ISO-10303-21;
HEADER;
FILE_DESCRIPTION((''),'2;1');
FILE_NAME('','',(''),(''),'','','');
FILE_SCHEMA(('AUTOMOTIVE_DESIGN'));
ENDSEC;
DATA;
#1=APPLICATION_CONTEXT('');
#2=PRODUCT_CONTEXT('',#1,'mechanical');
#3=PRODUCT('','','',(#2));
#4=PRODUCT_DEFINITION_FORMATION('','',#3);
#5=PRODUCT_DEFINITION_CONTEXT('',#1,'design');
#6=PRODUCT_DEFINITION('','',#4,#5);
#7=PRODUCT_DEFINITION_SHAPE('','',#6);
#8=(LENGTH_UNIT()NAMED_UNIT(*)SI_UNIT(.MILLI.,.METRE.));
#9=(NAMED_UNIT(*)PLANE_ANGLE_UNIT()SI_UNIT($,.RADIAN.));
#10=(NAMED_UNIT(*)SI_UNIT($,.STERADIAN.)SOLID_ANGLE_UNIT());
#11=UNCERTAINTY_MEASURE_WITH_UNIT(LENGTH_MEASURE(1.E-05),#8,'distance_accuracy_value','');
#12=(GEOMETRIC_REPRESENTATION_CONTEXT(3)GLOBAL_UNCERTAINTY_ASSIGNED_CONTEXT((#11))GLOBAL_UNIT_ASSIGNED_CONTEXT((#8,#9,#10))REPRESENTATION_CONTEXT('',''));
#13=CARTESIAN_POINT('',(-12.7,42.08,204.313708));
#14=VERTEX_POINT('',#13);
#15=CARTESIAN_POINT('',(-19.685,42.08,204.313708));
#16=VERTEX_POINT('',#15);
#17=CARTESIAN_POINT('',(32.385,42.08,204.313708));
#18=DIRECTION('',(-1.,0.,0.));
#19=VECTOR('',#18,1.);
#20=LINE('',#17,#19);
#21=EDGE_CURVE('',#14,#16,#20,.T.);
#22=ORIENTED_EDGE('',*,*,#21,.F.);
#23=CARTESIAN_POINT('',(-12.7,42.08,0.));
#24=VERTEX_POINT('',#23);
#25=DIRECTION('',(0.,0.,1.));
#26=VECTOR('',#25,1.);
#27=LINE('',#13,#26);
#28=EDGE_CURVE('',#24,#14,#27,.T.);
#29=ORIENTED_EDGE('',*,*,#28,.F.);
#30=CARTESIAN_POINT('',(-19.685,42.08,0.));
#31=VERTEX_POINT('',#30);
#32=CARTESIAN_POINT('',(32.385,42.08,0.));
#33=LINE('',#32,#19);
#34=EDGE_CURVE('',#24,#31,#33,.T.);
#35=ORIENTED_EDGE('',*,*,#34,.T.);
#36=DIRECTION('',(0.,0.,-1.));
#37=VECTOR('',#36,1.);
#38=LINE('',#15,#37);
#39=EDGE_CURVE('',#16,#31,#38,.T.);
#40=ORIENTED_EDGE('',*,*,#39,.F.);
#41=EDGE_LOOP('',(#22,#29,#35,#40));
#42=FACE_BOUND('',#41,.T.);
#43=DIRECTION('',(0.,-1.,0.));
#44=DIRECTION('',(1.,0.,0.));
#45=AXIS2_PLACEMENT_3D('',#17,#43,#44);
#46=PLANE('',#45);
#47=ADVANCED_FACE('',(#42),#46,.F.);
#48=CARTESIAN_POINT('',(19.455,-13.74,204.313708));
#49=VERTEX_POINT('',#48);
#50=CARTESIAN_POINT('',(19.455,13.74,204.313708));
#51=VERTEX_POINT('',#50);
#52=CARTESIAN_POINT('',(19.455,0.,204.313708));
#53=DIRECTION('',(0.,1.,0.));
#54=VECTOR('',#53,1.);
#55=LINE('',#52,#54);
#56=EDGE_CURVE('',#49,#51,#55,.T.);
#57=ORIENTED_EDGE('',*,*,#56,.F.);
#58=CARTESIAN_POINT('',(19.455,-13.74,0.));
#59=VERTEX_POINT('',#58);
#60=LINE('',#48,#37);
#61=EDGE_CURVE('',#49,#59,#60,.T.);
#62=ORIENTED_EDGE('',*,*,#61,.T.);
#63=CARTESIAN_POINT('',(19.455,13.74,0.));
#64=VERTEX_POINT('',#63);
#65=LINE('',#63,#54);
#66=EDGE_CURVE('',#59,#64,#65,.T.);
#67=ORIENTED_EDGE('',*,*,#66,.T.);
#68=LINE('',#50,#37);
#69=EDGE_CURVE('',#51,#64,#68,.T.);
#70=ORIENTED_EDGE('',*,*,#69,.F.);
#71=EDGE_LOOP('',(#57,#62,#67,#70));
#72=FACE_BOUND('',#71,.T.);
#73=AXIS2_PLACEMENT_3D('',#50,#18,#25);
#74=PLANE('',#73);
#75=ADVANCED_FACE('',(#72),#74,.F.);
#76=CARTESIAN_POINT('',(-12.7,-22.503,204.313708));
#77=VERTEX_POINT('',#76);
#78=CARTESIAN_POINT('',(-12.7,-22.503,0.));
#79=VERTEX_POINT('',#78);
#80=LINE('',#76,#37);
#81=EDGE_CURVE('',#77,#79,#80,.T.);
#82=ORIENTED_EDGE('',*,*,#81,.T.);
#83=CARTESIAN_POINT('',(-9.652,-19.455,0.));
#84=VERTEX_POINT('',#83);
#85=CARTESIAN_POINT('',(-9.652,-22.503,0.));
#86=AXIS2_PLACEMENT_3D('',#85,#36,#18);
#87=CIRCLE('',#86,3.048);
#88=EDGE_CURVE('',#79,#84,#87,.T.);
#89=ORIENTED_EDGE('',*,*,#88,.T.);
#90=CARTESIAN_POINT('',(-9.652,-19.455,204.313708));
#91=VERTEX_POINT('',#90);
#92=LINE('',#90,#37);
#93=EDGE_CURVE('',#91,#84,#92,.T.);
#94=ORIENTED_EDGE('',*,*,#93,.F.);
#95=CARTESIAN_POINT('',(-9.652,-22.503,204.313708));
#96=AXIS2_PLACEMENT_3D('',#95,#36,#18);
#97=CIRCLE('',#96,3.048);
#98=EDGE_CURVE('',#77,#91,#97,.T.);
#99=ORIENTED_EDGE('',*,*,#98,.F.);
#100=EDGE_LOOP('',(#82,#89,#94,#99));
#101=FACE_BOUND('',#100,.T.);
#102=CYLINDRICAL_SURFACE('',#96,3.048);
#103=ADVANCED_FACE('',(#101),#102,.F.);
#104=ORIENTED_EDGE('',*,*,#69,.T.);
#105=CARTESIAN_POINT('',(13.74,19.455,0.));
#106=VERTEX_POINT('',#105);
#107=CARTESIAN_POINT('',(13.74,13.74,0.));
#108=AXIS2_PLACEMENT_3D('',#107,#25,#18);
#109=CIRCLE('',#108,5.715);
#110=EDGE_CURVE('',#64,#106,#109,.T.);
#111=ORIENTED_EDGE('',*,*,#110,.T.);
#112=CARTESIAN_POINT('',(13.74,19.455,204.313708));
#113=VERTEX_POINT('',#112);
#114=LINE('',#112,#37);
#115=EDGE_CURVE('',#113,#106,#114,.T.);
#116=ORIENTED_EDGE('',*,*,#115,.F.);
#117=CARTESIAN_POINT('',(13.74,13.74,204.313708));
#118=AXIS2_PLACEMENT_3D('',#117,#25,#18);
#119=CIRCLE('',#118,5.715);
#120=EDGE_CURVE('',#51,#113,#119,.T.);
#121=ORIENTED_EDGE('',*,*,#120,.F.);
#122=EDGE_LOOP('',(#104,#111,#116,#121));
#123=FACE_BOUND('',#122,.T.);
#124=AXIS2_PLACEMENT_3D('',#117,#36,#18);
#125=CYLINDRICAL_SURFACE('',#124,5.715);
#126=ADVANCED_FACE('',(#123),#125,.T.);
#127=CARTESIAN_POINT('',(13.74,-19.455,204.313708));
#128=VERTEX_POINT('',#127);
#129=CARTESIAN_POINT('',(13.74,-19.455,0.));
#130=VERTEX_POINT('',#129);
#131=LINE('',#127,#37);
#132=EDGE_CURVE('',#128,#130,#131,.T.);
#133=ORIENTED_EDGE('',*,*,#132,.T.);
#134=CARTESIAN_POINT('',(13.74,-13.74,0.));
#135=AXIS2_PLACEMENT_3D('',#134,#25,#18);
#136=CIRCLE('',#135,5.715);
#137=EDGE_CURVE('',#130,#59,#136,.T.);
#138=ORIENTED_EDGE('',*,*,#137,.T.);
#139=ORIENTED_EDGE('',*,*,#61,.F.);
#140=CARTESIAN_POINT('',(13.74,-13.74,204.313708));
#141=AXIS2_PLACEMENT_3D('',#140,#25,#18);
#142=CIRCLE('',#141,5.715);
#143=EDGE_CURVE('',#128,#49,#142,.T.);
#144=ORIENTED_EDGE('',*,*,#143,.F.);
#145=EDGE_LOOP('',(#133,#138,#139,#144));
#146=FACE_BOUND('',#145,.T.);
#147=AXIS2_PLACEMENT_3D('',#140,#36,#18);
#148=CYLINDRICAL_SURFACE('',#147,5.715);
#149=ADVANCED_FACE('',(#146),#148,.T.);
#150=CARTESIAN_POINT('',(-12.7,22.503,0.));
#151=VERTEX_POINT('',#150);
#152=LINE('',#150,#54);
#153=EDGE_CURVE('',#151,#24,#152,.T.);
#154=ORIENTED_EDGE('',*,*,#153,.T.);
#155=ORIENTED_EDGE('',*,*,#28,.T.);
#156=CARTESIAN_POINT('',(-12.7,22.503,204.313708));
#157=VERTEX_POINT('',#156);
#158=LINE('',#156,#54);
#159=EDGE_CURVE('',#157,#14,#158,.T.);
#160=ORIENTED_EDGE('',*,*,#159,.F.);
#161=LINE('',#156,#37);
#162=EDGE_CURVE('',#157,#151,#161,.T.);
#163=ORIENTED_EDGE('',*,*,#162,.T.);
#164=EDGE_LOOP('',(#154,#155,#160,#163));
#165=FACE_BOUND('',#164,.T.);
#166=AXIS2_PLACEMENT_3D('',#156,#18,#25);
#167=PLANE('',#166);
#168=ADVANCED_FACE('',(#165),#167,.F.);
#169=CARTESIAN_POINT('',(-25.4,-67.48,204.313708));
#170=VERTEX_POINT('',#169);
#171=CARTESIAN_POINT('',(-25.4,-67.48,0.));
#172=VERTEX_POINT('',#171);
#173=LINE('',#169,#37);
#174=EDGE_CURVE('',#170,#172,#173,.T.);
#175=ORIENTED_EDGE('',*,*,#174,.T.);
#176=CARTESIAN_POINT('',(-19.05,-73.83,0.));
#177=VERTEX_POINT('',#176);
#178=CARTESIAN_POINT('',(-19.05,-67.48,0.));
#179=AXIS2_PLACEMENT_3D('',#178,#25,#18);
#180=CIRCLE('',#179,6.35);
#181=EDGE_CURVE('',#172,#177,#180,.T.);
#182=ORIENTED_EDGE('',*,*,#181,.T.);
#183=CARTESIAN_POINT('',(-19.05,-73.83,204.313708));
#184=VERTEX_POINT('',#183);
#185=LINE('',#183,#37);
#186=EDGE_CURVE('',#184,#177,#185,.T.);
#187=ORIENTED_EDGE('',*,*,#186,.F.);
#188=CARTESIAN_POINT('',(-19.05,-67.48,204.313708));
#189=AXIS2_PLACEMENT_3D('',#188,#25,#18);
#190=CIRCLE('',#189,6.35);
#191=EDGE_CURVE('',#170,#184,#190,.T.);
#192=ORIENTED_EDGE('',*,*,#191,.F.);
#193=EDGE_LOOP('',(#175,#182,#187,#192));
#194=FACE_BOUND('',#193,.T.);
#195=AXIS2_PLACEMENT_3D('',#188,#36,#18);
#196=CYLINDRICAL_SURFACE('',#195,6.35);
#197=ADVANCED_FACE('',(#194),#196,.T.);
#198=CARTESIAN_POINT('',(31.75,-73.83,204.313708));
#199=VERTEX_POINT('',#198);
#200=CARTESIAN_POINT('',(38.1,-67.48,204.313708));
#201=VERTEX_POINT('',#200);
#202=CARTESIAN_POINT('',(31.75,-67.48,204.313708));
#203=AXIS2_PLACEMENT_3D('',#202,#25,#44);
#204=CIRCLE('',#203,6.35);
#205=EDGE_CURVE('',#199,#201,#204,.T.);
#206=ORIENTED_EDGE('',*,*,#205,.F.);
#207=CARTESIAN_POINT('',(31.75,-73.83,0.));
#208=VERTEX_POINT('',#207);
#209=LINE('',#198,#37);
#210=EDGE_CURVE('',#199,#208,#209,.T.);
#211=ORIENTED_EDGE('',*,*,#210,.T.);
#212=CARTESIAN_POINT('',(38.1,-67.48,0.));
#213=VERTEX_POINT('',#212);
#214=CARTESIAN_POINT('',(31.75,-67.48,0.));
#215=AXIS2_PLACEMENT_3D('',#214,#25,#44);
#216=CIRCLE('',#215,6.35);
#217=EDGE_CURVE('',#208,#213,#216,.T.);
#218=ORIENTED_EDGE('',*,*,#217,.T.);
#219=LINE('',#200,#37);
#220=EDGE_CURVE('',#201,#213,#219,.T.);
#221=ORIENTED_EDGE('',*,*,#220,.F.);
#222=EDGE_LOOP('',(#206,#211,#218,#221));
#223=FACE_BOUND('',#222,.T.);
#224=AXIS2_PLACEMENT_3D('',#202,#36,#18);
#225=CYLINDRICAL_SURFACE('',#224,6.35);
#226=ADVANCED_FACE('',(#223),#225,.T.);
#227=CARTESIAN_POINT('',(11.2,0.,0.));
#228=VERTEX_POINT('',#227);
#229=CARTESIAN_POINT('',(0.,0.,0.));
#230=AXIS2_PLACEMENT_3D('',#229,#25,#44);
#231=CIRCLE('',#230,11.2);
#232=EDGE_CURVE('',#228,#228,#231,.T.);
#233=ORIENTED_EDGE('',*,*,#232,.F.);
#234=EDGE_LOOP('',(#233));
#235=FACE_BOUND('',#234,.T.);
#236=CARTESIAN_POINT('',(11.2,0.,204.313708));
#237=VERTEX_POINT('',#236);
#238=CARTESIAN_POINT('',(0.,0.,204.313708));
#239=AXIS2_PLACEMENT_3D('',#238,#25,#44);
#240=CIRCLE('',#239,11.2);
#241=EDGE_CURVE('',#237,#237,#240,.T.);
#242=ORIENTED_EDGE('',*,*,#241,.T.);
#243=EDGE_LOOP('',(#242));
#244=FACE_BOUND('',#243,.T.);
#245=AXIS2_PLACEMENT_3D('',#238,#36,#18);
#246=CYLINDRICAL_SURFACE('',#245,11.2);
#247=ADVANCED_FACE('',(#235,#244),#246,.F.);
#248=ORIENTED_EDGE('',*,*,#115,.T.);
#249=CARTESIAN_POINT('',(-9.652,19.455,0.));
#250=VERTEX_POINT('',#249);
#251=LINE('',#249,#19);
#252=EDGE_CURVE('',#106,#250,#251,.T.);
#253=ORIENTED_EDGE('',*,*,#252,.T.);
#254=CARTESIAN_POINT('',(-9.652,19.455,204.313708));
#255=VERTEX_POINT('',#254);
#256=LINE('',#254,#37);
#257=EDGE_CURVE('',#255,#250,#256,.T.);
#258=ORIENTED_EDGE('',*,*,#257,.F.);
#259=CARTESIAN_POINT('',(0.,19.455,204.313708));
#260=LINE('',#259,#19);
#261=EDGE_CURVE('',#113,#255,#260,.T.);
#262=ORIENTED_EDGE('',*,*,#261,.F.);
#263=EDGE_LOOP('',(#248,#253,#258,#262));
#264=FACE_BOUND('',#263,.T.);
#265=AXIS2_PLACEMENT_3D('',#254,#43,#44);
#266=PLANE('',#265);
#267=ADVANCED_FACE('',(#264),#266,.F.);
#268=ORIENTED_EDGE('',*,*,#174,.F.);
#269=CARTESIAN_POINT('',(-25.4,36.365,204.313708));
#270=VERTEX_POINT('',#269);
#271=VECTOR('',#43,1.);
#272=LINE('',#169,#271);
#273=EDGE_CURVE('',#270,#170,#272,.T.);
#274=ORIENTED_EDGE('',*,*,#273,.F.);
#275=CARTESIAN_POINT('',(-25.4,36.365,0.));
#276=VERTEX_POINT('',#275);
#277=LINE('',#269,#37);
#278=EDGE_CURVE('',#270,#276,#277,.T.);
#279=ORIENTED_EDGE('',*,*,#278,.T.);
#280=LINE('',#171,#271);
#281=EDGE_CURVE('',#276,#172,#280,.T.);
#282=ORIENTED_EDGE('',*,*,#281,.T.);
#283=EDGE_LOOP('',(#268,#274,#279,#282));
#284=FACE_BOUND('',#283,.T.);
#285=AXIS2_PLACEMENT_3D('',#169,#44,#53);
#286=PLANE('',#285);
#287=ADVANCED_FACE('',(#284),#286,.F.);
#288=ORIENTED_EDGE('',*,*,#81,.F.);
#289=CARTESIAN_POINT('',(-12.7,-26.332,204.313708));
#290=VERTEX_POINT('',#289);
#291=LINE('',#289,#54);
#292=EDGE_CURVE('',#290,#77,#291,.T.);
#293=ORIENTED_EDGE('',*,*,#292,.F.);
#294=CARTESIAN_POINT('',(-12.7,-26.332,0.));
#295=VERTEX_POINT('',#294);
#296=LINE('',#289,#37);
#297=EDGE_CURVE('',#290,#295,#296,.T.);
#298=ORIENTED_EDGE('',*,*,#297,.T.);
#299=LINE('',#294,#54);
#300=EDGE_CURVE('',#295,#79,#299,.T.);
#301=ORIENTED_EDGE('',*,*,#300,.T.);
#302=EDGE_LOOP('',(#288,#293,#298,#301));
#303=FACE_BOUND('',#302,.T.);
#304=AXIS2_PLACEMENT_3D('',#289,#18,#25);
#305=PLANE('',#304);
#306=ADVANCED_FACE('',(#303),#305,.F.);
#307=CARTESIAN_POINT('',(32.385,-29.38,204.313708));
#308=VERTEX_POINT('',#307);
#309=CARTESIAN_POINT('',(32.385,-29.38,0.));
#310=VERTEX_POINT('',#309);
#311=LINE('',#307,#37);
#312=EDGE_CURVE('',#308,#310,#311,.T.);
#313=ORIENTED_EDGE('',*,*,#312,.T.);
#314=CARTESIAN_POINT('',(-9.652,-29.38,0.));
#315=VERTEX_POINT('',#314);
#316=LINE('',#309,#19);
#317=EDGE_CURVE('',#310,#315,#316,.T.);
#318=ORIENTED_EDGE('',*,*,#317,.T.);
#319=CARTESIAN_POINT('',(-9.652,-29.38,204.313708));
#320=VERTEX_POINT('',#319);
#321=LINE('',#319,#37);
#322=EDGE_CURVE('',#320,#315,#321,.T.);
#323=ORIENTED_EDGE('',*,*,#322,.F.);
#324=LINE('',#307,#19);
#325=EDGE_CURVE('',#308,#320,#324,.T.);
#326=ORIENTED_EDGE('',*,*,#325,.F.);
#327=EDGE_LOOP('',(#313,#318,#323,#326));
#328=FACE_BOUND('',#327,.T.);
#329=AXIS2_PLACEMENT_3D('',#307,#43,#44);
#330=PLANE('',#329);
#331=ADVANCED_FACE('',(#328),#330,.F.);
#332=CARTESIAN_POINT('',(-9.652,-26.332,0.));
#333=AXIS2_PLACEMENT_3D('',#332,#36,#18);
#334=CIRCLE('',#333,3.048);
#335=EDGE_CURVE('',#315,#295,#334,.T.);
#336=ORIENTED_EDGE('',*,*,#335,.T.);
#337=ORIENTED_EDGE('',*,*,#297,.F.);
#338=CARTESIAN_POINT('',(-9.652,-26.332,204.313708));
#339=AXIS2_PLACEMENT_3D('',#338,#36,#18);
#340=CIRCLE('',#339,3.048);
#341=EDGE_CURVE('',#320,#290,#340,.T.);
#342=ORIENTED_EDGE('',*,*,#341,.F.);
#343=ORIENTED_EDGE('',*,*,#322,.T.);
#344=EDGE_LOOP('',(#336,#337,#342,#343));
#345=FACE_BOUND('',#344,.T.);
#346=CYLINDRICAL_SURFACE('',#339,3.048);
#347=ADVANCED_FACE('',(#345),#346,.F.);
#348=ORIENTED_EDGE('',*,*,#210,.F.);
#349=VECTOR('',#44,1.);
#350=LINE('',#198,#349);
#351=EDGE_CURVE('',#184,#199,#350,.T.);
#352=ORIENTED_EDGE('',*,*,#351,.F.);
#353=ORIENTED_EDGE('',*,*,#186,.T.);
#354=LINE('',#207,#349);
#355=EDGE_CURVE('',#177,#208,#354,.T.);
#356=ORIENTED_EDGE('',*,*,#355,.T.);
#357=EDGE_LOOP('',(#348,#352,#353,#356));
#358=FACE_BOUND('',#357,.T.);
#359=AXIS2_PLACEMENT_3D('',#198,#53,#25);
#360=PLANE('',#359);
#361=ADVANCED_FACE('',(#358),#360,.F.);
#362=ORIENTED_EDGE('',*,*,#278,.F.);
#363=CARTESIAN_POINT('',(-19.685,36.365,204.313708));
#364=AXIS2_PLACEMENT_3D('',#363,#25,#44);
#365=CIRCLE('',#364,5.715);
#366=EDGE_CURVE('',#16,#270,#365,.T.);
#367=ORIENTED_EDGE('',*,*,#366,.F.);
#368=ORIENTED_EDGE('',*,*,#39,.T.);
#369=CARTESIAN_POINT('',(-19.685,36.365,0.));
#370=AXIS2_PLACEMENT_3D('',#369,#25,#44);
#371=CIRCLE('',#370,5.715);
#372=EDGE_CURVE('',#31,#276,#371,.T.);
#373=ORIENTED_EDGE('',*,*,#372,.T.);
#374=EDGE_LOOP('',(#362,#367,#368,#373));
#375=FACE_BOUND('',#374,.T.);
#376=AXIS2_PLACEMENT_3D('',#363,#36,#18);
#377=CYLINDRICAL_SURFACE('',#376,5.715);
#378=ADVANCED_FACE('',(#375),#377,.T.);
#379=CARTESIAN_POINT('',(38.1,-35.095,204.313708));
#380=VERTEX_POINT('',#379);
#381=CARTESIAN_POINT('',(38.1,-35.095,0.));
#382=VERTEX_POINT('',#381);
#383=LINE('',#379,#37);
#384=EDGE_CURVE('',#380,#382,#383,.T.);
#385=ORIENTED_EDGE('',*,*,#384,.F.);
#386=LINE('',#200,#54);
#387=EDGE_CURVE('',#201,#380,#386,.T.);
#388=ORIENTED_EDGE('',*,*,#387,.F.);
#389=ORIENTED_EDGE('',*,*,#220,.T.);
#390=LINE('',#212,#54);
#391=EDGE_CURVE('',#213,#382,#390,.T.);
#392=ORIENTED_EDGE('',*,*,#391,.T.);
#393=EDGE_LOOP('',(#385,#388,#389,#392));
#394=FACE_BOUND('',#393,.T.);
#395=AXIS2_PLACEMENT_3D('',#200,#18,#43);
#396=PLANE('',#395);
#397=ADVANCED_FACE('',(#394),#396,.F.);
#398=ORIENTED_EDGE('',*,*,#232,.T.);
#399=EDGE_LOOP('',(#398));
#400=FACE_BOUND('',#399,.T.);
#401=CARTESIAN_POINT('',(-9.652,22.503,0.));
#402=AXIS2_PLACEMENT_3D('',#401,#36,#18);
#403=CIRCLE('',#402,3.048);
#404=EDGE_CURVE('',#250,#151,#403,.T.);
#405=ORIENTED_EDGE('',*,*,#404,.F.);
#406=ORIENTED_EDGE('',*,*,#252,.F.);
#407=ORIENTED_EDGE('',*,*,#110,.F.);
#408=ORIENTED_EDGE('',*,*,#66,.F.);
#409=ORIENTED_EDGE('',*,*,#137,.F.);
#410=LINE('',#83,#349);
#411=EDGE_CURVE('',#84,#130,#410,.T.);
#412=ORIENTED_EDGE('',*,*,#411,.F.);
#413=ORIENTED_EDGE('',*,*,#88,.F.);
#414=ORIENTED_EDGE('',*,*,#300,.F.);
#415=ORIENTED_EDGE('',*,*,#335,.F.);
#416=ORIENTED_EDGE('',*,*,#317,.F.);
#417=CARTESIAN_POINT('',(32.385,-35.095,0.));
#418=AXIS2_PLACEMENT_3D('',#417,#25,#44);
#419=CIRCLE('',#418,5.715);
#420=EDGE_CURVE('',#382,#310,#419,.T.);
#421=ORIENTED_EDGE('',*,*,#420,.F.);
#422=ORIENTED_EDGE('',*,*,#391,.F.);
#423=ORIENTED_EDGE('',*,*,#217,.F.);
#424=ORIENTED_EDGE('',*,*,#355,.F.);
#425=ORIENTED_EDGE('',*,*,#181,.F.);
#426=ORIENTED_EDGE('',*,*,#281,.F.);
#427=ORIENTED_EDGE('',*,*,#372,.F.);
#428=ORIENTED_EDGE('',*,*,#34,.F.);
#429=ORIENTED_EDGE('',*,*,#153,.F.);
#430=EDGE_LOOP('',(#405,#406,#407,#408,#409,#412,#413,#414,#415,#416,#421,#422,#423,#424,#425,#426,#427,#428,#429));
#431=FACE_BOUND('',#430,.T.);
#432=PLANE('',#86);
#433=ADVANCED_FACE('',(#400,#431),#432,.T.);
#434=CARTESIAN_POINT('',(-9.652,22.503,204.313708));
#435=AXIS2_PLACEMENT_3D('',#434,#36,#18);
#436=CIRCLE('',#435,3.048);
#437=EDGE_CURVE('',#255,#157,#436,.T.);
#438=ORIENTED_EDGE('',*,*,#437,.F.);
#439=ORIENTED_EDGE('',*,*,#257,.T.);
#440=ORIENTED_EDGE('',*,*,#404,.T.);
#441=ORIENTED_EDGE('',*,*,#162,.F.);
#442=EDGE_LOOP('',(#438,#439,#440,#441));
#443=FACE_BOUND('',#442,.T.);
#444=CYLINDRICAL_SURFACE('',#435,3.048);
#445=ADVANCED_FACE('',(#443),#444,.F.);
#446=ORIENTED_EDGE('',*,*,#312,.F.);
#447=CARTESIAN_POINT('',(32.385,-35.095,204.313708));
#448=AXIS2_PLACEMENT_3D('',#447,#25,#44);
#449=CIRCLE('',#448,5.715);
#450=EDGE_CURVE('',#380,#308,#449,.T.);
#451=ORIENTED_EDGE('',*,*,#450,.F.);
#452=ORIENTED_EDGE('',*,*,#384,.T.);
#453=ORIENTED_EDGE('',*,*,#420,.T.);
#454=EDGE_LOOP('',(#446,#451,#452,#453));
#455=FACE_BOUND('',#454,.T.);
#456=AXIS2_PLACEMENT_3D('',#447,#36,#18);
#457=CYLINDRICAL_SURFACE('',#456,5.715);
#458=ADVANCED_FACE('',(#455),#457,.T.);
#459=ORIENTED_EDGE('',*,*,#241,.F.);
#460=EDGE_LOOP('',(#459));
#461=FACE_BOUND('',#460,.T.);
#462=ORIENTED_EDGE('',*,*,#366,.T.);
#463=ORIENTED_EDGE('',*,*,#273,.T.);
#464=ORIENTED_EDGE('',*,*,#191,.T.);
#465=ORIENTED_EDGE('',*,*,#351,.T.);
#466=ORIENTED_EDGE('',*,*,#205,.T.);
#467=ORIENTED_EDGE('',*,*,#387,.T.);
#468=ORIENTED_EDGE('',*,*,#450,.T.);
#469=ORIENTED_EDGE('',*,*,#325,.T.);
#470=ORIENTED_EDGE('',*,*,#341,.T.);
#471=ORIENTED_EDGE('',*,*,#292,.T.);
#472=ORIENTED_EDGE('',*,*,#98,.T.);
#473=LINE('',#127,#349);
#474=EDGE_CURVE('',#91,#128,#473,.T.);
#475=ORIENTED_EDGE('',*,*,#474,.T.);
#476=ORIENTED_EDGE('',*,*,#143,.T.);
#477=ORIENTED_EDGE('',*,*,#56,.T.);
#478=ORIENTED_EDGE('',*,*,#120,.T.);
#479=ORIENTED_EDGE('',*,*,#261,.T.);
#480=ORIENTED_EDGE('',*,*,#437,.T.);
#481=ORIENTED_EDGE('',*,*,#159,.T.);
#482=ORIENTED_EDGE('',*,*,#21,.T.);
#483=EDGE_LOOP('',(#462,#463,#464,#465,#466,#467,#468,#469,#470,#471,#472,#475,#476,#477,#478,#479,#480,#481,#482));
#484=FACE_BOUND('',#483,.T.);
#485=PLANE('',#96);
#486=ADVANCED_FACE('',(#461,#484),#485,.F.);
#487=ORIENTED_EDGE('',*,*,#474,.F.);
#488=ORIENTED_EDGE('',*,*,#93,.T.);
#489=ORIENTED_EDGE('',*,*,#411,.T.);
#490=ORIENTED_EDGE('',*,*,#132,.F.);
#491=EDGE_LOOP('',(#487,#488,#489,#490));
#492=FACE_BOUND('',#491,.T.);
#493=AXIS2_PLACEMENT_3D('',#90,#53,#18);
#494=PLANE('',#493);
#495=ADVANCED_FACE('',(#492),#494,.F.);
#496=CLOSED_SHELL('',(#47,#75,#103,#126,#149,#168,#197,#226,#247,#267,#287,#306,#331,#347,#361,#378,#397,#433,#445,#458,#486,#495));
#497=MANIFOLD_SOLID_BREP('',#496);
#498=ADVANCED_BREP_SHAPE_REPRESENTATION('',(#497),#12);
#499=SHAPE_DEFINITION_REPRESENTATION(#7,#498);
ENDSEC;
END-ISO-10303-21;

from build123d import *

# Parameters (mm, degrees)
SKETCH1_R           = 11.2
BOSS_EXTRUDE1_DEPTH = 204.313708212
CUT_EXTRUDE1_DEPTH  = 236.982


with BuildPart() as part:
    # Sketch1 → Boss-Extrude1 (new body)
    with BuildSketch(Plane.XY):
        with BuildLine():
            Line((-25.4, -67.479999962), (-25.4, 36.365))
            ThreePointArc((-25.4, 36.365), (-23.726115254, 40.406115254), (-19.685, 42.08))
            Line((-19.685, 42.08), (32.385, 42.08))
            ThreePointArc((32.385, 42.08), (36.426115254, 40.406115254), (38.1, 36.365))
            Line((38.1, 36.365), (38.1, 35.095))
            ThreePointArc((38.1, 35.095), (36.426115254, 31.053884746), (32.385, 29.38))
            Line((32.385, 29.38), (-9.652, 29.38))
            ThreePointArc((-9.652, 29.38), (-11.807261469, 28.487261469), (-12.7, 26.332))
            Line((-12.7, 26.332), (-12.7, 22.503))
            ThreePointArc((-12.7, 22.503), (-11.807261469, 20.347738531), (-9.652, 19.455))
            Line((-9.652, 19.455), (0, 19.455))
            Line((0, 19.455), (13.74, 19.455))
            ThreePointArc((13.74, 19.455), (17.781115254, 17.781115254), (19.455, 13.74))
            Line((19.455, 13.74), (19.455, 0))
            Line((19.455, 0), (19.455, -13.74))
            ThreePointArc((19.455, -13.74), (17.781115254, -17.781115254), (13.74, -19.455))
            Line((13.74, -19.455), (0, -19.455))
            Line((0, -19.455), (-9.652, -19.455))
            ThreePointArc((-9.652, -19.455), (-11.807261469, -20.347738531), (-12.7, -22.503))
            Line((-12.7, -22.503), (-12.7, -26.331999962))
            ThreePointArc((-12.7, -26.331999962), (-11.807261469, -28.487261431), (-9.652, -29.379999962))
            Line((-9.652, -29.379999962), (32.385, -29.379999962))
            ThreePointArc((32.385, -29.379999962), (36.426115254, -31.053884708), (38.1, -35.094999962))
            Line((38.1, -35.094999962), (38.1, -67.479999962))
            ThreePointArc((38.1, -67.479999962), (36.240128061, -71.970128023), (31.75, -73.829999962))
            Line((31.75, -73.829999962), (-19.05, -73.829999962))
            ThreePointArc((-19.05, -73.829999962), (-23.540128061, -71.970128023), (-25.4, -67.479999962))
        make_face()
        Circle(SKETCH1_R, mode=Mode.SUBTRACT)
    extrude(amount=BOSS_EXTRUDE1_DEPTH)

    # Sketch2 → Cut-Extrude1 (cut)
    with BuildSketch(Plane.XY.offset(204.313708212)):
        with BuildLine():
            ThreePointArc((32.385, 29.38), (36.426115254, 31.053884746), (38.1, 35.095))
            Line((38.1, 35.095), (38.1, 36.365))
            ThreePointArc((38.1, 36.365), (36.426115254, 40.406115254), (32.385, 42.08))
            Line((32.385, 42.08), (19.455, 42.08))
            Line((19.455, 42.08), (19.455, 29.38))
            Line((19.455, 29.38), (32.385, 29.38))
        make_face()
        with BuildLine():
            Line((-9.652, 29.38), (19.455, 29.38))
            Line((19.455, 29.38), (19.455, 42.08))
            Line((19.455, 42.08), (-12.7, 42.08))
            Line((-12.7, 42.08), (-12.7, 26.332))
            ThreePointArc((-12.7, 26.332), (-11.807261469, 28.487261469), (-9.652, 29.38))
        make_face()
        with BuildLine():
            Line((19.455, 13.74), (19.455, -13.74))
            Line((19.455, -13.74), (38.1, -13.74))
            Line((38.1, -13.74), (38.1, 35.095))
            ThreePointArc((38.1, 35.095), (36.426115254, 31.053884746), (32.385, 29.38))
            Line((32.385, 29.38), (19.455, 29.38))
            Line((19.455, 29.38), (19.455, 22.503))
            Line((19.455, 22.503), (19.455, 13.74))
        make_face()
        with BuildLine():
            ThreePointArc((32.385, 42.08), (36.426115254, 40.406115254), (38.1, 36.365))
            Line((38.1, 36.365), (38.1, 42.08))
            Line((38.1, 42.08), (32.385, 42.08))
        make_face()
        with BuildLine():
            Line((-12.7, 22.503), (19.455, 22.503))
            Line((19.455, 22.503), (19.455, 29.38))
            Line((19.455, 29.38), (-9.652, 29.38))
            ThreePointArc((-9.652, 29.38), (-11.807261469, 28.487261469), (-12.7, 26.332))
            Line((-12.7, 26.332), (-12.7, 22.503))
        make_face()
    extrude(amount=-CUT_EXTRUDE1_DEPTH, mode=Mode.SUBTRACT)


solid = part.part
